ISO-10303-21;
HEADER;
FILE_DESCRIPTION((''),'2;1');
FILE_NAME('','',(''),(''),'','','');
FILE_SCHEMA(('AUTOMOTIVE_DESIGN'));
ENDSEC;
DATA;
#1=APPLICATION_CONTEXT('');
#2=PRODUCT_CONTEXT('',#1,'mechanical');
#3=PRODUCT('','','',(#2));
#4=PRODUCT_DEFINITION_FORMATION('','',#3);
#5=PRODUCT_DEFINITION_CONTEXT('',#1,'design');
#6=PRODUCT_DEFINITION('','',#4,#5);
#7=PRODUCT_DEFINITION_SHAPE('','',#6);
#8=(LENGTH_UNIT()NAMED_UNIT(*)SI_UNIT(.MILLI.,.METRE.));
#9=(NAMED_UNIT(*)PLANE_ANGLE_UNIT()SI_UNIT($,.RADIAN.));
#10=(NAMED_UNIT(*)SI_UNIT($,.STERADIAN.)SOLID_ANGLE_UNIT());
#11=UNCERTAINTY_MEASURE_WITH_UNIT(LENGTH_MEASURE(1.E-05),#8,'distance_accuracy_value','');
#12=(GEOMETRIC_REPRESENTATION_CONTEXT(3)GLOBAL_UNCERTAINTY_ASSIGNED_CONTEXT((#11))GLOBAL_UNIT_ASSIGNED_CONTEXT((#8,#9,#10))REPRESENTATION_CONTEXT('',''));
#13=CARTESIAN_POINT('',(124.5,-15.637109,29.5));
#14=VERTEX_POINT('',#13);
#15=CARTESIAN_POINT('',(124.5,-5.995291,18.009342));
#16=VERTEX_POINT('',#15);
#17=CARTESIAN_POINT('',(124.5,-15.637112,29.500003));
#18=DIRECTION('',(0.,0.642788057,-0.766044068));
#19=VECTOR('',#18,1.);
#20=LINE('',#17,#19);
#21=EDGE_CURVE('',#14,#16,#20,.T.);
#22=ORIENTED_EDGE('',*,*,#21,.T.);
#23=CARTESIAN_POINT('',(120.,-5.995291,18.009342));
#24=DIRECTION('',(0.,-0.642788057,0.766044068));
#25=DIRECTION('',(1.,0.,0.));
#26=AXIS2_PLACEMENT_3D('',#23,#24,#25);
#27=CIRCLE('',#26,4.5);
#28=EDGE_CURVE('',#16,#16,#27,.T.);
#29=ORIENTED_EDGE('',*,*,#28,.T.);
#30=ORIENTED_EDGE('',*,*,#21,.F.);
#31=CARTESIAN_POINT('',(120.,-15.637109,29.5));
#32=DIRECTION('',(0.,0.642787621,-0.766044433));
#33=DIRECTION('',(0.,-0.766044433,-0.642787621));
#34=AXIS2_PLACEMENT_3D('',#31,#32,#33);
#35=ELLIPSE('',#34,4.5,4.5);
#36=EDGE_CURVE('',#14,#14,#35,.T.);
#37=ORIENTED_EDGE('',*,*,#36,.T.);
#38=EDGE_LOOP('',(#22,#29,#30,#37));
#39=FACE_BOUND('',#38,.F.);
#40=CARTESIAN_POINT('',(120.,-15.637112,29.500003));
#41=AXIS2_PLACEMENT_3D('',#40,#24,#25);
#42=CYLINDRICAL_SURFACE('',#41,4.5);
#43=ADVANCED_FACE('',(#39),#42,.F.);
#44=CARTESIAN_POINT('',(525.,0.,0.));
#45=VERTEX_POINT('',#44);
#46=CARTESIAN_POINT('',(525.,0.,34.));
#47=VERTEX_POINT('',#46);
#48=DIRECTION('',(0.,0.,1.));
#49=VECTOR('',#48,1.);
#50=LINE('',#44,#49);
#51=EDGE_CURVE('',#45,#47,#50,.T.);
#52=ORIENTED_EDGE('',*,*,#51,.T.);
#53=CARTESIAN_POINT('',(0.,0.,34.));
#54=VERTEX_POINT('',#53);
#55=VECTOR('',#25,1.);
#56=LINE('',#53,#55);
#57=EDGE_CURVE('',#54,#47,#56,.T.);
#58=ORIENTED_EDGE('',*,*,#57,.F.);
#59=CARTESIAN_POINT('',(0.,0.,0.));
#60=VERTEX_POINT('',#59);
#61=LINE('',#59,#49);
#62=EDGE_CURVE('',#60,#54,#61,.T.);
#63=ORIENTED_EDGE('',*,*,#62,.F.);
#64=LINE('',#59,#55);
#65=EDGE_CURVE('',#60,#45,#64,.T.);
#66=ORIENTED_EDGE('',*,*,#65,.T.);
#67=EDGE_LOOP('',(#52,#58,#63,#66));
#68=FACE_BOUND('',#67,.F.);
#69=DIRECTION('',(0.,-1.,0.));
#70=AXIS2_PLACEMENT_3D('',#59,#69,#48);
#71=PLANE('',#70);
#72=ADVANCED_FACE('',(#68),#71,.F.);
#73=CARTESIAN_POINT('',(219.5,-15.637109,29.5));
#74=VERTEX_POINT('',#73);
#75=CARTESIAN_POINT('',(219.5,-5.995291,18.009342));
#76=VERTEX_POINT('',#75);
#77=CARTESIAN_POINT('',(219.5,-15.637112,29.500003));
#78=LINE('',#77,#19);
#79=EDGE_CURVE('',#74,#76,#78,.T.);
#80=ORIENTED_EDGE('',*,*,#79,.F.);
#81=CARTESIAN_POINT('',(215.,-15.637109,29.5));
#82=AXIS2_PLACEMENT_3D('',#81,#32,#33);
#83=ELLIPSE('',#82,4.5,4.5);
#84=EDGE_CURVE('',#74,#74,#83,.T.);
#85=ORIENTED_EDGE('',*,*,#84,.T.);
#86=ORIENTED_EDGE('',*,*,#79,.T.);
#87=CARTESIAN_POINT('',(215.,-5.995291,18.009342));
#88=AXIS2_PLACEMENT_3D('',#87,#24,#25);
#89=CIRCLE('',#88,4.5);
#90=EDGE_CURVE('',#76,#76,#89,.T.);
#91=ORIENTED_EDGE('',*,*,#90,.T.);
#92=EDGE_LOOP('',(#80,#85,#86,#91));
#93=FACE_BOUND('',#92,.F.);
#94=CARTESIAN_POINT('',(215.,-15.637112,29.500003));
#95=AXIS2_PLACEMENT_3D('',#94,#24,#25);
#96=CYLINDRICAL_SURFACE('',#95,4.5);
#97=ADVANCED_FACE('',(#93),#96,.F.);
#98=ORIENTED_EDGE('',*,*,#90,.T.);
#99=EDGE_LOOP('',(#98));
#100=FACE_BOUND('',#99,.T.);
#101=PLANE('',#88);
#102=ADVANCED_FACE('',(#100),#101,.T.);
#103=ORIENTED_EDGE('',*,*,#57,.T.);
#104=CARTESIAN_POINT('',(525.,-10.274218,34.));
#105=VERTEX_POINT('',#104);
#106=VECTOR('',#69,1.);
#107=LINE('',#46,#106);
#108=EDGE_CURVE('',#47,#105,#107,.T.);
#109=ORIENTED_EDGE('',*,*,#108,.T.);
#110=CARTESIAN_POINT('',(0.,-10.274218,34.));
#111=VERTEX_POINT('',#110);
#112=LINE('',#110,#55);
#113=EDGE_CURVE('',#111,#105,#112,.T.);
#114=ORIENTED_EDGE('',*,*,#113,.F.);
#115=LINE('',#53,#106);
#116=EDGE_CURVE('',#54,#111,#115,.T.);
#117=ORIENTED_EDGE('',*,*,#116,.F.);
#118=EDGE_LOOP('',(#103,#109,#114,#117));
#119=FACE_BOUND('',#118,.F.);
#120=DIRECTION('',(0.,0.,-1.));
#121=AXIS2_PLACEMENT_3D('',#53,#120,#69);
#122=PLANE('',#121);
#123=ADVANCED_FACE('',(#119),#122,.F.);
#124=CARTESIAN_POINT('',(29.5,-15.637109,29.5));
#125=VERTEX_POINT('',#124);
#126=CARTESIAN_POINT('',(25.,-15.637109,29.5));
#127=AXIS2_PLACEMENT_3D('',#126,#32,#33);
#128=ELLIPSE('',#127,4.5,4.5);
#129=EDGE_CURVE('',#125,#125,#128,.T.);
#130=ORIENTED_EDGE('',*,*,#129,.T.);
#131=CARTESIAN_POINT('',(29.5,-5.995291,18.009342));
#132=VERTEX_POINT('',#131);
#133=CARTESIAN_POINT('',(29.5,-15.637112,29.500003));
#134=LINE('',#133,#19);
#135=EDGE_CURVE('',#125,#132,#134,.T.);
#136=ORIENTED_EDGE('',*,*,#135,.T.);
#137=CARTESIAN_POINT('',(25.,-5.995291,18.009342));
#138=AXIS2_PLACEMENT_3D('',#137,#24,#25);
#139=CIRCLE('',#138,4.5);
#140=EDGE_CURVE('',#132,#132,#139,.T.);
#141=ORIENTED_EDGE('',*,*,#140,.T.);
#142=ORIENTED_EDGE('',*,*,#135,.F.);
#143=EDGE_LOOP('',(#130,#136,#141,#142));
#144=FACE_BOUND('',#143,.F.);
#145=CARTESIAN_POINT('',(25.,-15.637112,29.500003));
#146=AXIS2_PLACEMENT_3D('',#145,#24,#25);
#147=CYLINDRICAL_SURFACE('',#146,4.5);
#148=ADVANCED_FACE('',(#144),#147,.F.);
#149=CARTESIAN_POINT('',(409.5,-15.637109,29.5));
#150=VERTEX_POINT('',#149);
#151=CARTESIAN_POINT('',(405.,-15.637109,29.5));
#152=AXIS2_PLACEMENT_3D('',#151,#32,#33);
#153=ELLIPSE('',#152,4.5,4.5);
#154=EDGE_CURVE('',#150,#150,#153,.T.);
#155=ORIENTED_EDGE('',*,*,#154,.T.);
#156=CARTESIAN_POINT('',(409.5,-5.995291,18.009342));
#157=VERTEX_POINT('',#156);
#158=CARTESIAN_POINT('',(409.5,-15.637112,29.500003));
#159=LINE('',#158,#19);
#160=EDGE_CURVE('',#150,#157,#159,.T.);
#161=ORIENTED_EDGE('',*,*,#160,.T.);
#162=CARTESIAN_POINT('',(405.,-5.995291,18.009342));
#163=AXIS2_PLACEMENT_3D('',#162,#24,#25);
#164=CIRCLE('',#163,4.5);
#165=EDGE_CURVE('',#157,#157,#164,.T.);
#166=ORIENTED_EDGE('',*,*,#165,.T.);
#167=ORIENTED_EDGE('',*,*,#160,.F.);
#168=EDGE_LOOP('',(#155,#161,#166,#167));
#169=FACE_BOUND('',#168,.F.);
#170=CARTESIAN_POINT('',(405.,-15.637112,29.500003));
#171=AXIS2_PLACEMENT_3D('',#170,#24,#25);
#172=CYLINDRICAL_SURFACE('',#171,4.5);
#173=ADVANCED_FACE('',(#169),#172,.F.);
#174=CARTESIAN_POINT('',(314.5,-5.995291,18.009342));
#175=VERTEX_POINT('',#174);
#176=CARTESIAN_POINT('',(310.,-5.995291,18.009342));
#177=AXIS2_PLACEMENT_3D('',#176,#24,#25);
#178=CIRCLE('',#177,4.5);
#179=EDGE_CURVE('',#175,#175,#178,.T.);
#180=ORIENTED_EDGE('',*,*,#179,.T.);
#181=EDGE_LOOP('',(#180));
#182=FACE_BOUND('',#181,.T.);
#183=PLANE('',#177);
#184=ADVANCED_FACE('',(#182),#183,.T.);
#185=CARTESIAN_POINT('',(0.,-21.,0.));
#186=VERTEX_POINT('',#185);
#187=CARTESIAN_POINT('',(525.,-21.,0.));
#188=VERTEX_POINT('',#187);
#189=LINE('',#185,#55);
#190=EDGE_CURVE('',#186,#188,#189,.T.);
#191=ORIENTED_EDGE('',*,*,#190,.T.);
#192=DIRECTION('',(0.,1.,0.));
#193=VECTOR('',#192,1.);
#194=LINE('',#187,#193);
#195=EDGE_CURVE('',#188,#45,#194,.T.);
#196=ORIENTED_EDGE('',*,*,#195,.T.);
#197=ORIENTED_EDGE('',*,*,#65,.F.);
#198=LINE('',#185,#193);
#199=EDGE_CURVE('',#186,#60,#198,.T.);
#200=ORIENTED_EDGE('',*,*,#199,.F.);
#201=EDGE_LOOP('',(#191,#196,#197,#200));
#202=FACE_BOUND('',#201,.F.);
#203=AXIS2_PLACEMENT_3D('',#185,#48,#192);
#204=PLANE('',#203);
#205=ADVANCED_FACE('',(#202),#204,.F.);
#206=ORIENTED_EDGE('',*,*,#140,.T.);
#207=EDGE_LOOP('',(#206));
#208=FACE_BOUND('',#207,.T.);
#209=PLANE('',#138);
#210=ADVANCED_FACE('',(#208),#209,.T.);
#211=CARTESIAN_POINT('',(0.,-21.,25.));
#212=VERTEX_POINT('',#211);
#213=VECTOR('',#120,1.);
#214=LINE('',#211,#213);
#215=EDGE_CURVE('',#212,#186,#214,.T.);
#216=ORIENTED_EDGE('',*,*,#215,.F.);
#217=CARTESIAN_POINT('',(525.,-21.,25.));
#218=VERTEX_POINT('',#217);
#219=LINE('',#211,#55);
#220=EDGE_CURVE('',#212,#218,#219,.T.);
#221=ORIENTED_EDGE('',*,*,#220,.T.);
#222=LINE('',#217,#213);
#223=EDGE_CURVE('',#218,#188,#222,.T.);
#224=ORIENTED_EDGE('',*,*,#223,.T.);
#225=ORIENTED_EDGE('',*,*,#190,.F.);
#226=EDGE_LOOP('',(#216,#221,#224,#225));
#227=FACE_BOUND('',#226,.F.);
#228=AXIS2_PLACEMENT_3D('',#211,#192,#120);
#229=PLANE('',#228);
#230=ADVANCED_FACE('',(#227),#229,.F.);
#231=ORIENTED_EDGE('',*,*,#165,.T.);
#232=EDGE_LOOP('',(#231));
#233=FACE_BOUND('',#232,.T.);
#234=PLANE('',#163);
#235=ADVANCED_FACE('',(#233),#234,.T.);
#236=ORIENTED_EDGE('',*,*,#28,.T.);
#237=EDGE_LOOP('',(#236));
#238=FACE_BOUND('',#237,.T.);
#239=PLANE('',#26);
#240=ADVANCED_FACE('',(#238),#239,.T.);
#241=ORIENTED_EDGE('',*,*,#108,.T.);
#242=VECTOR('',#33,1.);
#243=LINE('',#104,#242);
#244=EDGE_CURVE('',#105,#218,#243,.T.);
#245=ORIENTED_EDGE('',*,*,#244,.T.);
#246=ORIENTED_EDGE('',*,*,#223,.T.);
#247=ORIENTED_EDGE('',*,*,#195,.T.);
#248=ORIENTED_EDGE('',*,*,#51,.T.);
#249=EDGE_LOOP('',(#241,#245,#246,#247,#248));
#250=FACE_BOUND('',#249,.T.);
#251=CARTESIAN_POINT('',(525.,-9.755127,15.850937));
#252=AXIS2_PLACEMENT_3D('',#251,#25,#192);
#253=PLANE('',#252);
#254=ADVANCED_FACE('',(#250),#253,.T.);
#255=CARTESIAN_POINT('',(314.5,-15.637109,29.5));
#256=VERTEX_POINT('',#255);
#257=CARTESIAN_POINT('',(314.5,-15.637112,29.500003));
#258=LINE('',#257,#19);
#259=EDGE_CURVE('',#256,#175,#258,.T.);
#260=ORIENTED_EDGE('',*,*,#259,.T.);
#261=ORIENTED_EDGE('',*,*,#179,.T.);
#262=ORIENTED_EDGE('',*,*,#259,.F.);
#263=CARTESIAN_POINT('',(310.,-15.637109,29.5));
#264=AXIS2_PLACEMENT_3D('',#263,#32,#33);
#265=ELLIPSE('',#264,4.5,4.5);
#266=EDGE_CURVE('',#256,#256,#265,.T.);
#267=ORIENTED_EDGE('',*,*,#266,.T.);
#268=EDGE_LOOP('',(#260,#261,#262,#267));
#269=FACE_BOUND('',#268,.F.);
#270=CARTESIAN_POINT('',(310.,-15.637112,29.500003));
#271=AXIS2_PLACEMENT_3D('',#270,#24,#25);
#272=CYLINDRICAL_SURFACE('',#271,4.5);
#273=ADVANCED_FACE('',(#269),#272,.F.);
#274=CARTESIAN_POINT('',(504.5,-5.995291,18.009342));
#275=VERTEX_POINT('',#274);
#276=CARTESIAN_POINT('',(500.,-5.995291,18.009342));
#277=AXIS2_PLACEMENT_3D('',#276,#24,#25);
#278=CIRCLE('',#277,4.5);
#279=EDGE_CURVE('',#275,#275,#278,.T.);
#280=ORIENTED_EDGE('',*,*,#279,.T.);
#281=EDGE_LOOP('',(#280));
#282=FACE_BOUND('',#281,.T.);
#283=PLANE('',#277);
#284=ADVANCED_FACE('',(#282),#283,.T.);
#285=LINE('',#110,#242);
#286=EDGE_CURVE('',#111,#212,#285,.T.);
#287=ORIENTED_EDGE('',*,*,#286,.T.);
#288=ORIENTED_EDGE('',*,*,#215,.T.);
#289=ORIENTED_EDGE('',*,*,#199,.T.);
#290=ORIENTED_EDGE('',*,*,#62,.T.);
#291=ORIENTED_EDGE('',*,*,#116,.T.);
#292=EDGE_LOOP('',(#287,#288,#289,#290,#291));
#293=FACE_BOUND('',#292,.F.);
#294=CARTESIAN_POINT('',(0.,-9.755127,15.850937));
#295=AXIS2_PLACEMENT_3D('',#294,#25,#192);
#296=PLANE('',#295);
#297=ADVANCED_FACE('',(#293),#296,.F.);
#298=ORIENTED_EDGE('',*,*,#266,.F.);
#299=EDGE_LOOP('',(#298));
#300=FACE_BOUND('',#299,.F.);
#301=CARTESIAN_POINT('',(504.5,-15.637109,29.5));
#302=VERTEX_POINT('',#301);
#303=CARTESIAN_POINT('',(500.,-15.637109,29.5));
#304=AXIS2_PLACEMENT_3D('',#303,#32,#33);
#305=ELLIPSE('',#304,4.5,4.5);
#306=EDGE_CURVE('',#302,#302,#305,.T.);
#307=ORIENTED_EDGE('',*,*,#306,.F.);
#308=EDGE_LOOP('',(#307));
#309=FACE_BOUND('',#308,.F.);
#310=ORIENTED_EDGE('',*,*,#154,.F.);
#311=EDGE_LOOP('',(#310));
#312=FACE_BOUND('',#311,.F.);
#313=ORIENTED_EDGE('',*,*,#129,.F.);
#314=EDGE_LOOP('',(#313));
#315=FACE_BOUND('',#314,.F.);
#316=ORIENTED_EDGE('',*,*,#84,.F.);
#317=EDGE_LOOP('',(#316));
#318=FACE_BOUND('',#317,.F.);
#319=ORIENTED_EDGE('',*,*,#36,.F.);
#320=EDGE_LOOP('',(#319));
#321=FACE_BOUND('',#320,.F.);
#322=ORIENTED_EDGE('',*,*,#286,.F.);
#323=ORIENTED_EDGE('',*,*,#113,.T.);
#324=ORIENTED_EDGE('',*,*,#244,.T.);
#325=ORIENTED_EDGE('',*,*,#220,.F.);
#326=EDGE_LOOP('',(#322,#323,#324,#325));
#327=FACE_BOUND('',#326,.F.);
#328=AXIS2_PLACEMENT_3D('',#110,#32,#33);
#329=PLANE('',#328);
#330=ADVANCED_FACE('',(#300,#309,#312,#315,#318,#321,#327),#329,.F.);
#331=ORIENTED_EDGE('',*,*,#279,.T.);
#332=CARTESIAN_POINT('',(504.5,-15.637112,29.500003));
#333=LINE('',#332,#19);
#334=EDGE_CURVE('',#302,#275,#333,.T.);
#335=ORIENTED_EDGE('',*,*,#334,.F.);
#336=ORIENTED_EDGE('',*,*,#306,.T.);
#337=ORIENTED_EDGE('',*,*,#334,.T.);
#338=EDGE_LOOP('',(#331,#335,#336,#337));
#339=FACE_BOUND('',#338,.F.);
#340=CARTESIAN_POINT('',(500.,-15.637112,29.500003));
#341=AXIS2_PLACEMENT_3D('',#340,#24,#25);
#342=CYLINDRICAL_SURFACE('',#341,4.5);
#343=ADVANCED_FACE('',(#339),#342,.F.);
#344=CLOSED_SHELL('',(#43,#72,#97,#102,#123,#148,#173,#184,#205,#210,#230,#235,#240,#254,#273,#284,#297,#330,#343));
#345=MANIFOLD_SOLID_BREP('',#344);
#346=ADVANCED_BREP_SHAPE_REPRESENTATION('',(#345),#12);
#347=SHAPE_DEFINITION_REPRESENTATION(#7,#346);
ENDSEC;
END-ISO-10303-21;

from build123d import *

# Parameters (mm, degrees)
F1_DEPTH = 525
F2_R     = 4.5
F3_DEPTH = 15


with BuildPart() as f1:
    # F0 (on Right) → F1 (new body)
    with BuildSketch(Plane.YZ):
        Polygon((-21, 0), (0, 0), (0, 34), (-10.274218, 34), (-21, 25), align=None)
    extrude(amount=F1_DEPTH)

    # F2 (on face) → F3 (cut)
    with BuildSketch(Plane(origin=(0, -20.986791, 25.011084), x_dir=(1, 0, 0), z_dir=(0, -0.642788, 0.766044))):
        with Locations((500, 6.983514)):
            Circle(F2_R)
        with Locations((405, 6.983514)):
            Circle(F2_R)
        with Locations((310, 6.983514)):
            Circle(F2_R)
        with Locations((215, 6.983514)):
            Circle(F2_R)
        with Locations((120, 6.983514)):
            Circle(F2_R)
        with Locations((25, 6.983514)):
            Circle(F2_R)
    extrude(amount=-F3_DEPTH, mode=Mode.SUBTRACT)


solid = f1.part
